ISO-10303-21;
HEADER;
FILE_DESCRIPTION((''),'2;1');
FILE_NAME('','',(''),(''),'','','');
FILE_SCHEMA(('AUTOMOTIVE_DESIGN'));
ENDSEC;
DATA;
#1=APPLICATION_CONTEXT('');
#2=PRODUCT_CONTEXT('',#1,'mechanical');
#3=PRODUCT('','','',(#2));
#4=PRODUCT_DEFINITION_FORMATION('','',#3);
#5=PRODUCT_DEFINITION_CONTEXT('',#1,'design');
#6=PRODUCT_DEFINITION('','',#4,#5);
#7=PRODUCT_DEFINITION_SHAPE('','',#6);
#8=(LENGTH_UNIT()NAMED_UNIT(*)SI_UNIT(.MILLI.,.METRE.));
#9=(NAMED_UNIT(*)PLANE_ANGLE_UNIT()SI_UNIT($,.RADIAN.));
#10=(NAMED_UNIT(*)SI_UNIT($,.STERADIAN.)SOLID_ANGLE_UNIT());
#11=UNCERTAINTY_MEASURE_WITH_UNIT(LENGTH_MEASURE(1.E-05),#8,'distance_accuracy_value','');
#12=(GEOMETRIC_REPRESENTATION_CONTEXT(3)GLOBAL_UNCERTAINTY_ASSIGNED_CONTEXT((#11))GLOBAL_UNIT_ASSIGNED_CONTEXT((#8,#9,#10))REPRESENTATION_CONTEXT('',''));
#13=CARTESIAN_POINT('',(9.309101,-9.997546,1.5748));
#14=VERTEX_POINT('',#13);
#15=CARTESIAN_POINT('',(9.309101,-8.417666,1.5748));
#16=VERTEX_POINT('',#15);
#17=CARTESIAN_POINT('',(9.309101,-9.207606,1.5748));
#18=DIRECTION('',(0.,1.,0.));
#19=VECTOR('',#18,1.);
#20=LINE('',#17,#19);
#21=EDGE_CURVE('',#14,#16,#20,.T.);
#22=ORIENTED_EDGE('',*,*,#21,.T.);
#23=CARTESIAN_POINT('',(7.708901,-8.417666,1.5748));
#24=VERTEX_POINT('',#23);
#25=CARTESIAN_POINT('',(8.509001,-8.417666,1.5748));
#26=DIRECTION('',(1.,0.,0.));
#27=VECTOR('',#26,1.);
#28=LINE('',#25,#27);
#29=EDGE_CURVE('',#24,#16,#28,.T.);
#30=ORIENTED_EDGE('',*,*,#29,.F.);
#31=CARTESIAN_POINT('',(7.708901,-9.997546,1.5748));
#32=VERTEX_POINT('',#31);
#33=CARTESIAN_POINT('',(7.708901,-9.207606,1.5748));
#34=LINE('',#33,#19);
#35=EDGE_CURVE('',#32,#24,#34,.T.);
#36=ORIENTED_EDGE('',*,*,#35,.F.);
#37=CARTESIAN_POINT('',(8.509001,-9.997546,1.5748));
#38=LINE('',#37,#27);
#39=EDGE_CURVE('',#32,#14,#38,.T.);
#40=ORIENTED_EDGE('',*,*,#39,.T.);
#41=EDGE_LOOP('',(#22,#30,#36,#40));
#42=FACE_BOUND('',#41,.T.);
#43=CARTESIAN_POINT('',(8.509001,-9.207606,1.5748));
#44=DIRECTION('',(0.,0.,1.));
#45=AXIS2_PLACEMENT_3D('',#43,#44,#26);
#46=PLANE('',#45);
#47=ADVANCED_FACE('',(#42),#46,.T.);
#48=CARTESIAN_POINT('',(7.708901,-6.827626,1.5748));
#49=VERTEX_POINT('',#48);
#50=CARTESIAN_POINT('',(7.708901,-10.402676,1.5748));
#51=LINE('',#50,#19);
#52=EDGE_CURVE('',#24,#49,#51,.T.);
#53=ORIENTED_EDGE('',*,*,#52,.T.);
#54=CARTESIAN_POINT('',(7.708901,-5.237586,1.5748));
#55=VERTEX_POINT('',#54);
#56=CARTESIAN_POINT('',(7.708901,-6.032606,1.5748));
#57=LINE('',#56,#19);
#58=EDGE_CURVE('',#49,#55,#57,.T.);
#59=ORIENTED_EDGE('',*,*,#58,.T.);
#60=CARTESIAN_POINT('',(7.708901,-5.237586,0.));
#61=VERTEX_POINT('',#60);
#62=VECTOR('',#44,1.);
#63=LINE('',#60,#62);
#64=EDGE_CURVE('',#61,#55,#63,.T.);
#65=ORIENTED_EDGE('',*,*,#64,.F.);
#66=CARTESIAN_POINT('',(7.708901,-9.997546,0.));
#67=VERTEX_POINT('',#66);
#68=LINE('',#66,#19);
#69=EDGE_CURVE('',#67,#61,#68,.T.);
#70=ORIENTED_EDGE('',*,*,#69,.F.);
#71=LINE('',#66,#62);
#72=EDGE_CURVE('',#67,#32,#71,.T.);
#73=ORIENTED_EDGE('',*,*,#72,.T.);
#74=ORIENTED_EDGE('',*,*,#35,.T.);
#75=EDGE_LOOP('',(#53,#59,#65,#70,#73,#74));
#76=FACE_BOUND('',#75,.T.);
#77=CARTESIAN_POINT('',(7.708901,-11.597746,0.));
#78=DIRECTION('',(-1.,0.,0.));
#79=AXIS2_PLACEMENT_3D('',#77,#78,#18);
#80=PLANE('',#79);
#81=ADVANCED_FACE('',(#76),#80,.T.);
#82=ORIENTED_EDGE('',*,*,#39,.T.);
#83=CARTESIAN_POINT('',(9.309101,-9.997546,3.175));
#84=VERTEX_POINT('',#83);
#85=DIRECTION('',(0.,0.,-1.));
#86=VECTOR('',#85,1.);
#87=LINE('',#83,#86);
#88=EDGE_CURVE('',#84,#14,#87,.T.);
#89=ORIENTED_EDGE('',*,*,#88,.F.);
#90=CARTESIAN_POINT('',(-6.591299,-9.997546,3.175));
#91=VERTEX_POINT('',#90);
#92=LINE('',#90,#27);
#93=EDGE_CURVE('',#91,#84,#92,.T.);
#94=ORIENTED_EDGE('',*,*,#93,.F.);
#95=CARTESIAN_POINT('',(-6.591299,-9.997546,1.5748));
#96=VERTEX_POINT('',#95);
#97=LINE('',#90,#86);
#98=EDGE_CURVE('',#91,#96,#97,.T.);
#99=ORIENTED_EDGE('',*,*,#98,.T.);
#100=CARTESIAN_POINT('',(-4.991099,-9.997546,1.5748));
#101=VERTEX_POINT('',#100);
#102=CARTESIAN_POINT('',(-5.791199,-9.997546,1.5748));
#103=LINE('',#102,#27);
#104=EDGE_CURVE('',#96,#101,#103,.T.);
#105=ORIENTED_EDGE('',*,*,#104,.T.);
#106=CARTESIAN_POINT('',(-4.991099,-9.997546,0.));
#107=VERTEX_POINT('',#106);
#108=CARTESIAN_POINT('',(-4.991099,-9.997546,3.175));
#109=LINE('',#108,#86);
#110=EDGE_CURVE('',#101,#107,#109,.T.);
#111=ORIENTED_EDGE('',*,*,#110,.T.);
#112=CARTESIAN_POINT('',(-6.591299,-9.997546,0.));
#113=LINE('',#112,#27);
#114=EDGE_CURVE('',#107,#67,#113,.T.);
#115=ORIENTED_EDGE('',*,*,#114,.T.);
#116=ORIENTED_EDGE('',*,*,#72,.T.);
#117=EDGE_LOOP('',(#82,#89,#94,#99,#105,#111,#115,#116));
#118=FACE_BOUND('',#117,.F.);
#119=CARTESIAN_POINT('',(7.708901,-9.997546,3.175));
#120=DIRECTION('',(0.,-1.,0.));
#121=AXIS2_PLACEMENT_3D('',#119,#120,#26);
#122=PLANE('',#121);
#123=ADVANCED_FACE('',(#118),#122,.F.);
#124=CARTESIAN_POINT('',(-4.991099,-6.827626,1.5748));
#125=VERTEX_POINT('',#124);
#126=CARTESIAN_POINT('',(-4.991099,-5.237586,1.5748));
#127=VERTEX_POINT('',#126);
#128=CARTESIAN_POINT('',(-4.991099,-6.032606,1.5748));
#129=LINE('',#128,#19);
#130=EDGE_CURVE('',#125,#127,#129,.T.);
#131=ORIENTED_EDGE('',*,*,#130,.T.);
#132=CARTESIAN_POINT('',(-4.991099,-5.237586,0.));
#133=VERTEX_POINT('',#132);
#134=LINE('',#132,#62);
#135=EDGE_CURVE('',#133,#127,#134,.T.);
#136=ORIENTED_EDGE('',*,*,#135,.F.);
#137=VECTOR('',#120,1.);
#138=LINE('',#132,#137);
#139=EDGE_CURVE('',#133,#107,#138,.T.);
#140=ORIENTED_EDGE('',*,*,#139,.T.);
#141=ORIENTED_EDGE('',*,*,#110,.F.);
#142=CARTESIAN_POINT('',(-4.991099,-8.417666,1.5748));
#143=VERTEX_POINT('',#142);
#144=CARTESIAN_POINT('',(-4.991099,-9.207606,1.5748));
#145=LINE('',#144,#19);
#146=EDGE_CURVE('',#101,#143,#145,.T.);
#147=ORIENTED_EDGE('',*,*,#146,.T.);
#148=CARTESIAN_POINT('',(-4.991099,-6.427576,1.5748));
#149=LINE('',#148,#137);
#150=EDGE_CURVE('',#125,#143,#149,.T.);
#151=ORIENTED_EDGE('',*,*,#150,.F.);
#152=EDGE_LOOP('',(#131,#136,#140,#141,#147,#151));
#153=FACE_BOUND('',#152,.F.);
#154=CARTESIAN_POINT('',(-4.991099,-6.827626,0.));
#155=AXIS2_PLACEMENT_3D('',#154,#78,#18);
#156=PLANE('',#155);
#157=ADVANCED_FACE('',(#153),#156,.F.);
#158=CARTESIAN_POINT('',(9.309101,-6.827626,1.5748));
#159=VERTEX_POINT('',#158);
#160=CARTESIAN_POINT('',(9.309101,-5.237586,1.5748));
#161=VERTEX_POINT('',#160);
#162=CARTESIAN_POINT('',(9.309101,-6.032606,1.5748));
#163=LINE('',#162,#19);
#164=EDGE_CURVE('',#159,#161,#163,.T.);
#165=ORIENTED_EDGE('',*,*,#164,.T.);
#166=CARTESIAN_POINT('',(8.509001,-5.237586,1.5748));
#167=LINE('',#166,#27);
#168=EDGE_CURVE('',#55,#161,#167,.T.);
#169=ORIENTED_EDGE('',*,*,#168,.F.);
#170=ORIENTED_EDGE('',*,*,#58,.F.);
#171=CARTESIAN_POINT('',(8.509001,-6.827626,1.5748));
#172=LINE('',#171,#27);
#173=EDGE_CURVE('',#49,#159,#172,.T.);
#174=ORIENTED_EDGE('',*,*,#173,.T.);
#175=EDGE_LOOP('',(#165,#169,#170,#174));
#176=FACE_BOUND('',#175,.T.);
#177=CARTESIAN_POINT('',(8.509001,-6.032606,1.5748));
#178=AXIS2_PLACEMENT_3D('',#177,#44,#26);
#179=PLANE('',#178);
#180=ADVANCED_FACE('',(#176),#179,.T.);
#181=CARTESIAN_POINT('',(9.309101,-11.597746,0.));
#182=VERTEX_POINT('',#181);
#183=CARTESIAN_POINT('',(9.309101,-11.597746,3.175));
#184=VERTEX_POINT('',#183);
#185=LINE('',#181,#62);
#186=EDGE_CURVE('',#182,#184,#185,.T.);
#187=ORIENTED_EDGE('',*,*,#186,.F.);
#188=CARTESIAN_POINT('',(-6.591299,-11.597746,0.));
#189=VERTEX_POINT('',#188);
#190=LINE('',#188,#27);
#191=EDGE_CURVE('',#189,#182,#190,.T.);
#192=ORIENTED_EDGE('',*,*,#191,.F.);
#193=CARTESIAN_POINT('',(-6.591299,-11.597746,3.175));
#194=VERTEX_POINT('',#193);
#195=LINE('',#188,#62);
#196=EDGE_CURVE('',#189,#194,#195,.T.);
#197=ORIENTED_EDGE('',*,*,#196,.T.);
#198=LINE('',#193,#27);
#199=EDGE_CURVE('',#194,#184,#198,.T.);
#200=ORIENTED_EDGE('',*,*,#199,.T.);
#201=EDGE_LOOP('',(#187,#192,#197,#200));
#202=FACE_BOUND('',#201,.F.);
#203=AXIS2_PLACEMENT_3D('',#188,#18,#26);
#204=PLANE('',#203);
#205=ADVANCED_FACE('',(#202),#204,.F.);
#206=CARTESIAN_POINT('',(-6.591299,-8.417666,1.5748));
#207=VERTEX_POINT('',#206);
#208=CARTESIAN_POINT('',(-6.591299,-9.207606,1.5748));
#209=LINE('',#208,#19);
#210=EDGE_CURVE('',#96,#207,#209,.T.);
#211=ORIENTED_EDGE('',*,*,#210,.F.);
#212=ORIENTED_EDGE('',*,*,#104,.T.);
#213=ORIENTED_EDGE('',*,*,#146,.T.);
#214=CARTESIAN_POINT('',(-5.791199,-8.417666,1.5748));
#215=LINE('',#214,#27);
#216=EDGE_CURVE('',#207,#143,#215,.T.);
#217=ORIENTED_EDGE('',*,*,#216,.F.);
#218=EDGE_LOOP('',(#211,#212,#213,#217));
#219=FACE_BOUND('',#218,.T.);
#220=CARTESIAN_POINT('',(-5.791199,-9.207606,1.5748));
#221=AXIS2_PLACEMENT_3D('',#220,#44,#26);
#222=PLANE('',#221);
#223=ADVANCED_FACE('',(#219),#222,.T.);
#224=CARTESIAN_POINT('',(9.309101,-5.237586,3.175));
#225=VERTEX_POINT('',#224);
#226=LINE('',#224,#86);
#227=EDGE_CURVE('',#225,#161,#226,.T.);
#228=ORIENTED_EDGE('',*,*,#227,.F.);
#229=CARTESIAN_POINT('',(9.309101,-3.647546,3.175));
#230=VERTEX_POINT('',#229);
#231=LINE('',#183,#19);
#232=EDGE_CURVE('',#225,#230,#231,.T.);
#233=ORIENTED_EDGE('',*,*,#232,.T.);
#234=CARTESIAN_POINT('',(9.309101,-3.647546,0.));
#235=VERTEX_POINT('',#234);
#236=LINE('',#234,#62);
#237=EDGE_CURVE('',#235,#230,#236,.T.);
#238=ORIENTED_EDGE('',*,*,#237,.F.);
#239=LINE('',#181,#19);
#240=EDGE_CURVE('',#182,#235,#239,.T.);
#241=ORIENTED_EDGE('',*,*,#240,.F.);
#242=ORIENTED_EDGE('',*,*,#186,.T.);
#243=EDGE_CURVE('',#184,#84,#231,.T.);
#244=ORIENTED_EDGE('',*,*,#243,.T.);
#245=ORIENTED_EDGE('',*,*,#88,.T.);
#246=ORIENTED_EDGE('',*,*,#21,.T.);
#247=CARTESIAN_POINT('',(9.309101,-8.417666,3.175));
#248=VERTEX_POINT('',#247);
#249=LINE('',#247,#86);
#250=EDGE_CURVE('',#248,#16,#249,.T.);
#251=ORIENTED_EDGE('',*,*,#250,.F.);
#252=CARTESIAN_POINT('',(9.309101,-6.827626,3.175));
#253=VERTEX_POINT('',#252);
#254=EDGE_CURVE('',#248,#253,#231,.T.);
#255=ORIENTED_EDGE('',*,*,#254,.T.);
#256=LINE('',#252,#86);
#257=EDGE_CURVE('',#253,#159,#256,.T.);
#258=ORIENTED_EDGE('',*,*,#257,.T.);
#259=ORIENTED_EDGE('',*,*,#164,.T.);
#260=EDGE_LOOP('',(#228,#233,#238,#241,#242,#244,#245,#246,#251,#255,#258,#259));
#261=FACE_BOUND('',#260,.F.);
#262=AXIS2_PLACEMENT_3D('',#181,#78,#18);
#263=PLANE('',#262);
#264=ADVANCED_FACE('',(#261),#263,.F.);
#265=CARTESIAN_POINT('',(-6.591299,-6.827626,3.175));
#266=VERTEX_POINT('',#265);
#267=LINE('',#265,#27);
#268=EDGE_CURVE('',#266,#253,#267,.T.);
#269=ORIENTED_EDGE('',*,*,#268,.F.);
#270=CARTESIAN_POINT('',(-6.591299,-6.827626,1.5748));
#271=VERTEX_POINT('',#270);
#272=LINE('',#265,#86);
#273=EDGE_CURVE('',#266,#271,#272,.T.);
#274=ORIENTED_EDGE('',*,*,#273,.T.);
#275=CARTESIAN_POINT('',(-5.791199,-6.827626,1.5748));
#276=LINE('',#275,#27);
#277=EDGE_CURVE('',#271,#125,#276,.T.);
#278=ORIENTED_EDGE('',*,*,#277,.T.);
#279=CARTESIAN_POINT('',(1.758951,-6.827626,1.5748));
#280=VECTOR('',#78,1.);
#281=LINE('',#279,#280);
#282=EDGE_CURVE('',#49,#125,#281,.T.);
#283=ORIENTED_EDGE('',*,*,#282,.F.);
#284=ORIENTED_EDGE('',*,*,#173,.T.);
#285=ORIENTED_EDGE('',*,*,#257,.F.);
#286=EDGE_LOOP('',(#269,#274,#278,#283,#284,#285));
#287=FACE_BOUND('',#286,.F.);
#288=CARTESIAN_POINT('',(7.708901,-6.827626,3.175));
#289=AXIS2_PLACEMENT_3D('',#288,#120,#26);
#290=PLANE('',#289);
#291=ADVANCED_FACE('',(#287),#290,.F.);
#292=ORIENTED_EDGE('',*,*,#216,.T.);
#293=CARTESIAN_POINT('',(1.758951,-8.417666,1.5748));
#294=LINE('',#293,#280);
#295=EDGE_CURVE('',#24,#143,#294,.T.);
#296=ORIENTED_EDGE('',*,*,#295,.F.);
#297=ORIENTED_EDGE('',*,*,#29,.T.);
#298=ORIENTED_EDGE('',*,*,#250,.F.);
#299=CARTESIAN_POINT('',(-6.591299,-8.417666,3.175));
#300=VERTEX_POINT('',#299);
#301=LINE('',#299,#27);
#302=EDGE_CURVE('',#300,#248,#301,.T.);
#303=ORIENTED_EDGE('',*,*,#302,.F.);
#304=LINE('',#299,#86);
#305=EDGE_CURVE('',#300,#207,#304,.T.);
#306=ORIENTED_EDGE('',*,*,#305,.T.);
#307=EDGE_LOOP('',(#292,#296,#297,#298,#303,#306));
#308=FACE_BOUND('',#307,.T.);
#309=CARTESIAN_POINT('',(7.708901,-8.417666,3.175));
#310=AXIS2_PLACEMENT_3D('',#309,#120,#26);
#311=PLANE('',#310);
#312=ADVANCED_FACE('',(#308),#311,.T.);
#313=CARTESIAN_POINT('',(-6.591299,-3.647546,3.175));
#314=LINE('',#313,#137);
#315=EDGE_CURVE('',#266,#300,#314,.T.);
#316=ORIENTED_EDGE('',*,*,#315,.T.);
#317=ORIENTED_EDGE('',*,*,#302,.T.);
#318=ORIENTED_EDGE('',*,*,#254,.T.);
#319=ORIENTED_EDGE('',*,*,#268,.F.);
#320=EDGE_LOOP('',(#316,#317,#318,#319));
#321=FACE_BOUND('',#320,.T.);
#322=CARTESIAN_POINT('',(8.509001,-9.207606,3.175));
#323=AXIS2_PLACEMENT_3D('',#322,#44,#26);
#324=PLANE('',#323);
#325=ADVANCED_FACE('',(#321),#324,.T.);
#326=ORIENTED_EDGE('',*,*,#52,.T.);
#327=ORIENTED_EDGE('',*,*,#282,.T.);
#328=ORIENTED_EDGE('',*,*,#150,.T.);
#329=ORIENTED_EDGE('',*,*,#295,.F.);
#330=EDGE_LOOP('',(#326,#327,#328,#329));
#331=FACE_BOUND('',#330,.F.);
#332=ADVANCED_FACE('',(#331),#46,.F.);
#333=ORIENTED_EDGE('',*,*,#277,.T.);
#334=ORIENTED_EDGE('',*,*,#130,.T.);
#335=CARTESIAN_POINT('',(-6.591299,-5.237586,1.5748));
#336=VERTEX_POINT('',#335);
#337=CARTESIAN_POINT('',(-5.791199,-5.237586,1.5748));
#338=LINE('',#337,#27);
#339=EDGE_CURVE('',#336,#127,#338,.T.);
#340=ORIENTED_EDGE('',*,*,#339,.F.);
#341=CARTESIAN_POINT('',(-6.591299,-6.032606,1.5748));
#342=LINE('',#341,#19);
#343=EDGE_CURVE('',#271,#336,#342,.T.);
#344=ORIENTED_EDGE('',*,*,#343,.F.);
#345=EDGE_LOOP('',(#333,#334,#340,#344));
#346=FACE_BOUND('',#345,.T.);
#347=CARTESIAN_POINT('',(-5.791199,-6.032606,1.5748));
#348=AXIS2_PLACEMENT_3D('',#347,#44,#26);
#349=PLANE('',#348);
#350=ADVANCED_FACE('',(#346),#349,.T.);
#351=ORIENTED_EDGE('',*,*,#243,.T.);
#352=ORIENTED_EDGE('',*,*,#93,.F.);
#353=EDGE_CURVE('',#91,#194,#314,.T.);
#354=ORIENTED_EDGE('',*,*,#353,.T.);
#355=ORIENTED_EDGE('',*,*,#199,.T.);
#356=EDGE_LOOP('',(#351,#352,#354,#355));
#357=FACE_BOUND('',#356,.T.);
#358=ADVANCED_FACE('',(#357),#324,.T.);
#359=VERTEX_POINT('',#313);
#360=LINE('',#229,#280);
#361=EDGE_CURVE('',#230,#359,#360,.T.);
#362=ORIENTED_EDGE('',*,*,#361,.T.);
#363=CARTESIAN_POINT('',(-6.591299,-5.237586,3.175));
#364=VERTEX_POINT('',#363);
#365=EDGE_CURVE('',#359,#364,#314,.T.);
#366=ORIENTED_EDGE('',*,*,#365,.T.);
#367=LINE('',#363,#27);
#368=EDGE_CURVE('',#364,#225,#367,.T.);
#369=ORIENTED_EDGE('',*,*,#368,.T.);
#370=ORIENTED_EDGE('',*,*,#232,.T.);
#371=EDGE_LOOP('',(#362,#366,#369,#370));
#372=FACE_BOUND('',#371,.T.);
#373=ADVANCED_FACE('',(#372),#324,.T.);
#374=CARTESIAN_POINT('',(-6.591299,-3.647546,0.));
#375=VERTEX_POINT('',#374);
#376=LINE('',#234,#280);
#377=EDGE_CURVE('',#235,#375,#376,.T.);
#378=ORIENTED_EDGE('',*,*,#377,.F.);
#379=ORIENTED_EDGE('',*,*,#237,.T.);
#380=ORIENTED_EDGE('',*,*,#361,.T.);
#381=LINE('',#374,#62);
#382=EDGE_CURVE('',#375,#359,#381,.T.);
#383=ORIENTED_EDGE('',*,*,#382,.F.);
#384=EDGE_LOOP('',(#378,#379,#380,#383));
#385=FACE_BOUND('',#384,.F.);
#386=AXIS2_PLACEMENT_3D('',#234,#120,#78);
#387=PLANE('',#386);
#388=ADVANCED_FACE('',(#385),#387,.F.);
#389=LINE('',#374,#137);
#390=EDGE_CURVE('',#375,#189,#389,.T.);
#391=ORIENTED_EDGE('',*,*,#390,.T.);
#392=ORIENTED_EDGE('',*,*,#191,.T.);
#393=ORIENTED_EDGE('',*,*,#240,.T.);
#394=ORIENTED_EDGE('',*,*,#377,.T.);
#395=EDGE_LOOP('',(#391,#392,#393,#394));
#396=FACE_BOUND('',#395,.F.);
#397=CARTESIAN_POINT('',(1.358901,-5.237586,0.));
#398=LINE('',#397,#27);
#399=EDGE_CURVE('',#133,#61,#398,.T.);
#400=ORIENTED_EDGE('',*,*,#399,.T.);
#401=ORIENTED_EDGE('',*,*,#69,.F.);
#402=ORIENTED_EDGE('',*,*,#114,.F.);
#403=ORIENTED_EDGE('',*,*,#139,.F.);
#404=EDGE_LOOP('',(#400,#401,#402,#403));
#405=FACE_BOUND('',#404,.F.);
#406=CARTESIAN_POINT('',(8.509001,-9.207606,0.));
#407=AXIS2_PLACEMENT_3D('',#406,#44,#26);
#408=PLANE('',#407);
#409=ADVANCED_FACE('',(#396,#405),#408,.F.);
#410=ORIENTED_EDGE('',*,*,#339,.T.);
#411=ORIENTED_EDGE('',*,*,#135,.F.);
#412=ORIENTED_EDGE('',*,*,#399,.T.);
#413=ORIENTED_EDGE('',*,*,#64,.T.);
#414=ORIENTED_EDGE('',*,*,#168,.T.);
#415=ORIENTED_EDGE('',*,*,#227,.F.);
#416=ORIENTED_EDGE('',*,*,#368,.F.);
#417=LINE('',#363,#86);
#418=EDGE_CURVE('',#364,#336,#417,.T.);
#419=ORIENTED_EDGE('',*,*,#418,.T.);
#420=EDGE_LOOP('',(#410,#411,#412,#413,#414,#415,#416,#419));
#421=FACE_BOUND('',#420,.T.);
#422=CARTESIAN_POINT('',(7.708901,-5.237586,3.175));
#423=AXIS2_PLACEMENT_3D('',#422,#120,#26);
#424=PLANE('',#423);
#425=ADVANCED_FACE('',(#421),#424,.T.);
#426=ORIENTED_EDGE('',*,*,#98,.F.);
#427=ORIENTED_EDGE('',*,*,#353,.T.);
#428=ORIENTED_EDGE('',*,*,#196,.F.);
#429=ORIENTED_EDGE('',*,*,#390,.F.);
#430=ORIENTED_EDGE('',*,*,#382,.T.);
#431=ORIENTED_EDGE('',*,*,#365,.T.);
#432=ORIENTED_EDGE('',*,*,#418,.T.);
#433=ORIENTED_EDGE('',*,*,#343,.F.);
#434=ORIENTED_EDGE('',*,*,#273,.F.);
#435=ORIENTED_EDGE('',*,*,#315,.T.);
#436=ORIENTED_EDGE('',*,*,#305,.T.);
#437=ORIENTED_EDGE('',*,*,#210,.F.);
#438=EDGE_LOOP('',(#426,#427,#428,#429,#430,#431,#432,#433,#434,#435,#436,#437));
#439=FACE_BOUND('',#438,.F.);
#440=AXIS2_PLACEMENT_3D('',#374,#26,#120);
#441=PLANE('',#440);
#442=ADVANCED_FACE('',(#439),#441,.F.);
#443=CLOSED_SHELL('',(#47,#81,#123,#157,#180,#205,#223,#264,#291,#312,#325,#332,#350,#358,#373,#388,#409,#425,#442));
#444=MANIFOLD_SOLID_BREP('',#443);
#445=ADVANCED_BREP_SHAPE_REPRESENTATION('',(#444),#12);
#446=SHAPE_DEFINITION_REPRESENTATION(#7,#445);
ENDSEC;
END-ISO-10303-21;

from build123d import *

# Parameters (mm, degrees)
F0_W     = 1.6002
F0_H     = 1.57988
F0_H_2   = 1.59004
F0_W_2   = 12.7
F0_H_3   = 1.6002
F1_DEPTH = 3.175
F2_T     = -1.6002
F3_DEPTH = 25.4
F4_W     = 1.6002
F4_H     = 1.59004
F4_H_2   = 1.57988
F5_DEPTH = 1.6002


with BuildPart() as f1:
    # F0 (on Top) → F1 (new body)
    with BuildSketch(Plane.XY):
        with Locations((8.509001, -9.207606)):
            Rectangle(F0_W, F0_H)
        with Locations((-5.791199, -4.442566)):
            Rectangle(F0_W, F0_H_2)
        with Locations((8.509001, -4.442566)):
            Rectangle(F0_W, F0_H_2)
        with Locations((1.358901, -4.442566)):
            Rectangle(F0_W_2, F0_H_2)
        with Locations((1.358901, -7.622646)):
            Rectangle(F0_W_2, F0_H_2)
        with Locations((-5.791199, -10.797646)):
            Rectangle(F0_W, F0_H_3)
        with Locations((-5.791199, -6.032606)):
            Rectangle(F0_W, F0_H_2)
        with Locations((-5.791199, -7.622646)):
            Rectangle(F0_W, F0_H_2)
        with Locations((-5.791199, -9.207606)):
            Rectangle(F0_W, F0_H)
        with Locations((8.509001, -6.032606)):
            Rectangle(F0_W, F0_H_2)
        with Locations((8.509001, -7.622646)):
            Rectangle(F0_W, F0_H_2)
        with Locations((8.509001, -10.797646)):
            Rectangle(F0_W, F0_H_3)
        with Locations((1.358901, -6.032606)):
            Rectangle(F0_W_2, F0_H_2)
        with Locations((1.358901, -9.207606)):
            Rectangle(F0_W_2, F0_H)
        with Locations((1.358901, -10.797646)):
            Rectangle(F0_W_2, F0_H_3)
    extrude(amount=F1_DEPTH)

    # F2
    f2_openings = [f1.faces().sort_by_distance(p)[0] for p in [
        (1.358901, -7.622646, 0),
    ]]
    offset(amount=F2_T, openings=f2_openings)

    # F0 (on Top) → F3 (cut)
    with BuildSketch(Plane.XY):
        with Locations((1.358901, -6.032606)):
            Rectangle(F0_W_2, F0_H_2)
        with Locations((1.358901, -9.207606)):
            Rectangle(F0_W_2, F0_H)
    extrude(amount=F3_DEPTH, mode=Mode.SUBTRACT)

    # F4 (on face) → F5 (cut)
    with BuildSketch(Plane.XY.offset(3.175)):
        with Locations((-5.791199, -6.032606)):
            Rectangle(F4_W, F4_H)
        with Locations((-5.791199, -9.207606)):
            Rectangle(F4_W, F4_H_2)
        with Locations((8.509001, -6.032606)):
            Rectangle(F4_W, F4_H)
        with Locations((8.509001, -9.207606)):
            Rectangle(F4_W, F4_H_2)
    extrude(amount=-F5_DEPTH, mode=Mode.SUBTRACT)


solid = f1.part
